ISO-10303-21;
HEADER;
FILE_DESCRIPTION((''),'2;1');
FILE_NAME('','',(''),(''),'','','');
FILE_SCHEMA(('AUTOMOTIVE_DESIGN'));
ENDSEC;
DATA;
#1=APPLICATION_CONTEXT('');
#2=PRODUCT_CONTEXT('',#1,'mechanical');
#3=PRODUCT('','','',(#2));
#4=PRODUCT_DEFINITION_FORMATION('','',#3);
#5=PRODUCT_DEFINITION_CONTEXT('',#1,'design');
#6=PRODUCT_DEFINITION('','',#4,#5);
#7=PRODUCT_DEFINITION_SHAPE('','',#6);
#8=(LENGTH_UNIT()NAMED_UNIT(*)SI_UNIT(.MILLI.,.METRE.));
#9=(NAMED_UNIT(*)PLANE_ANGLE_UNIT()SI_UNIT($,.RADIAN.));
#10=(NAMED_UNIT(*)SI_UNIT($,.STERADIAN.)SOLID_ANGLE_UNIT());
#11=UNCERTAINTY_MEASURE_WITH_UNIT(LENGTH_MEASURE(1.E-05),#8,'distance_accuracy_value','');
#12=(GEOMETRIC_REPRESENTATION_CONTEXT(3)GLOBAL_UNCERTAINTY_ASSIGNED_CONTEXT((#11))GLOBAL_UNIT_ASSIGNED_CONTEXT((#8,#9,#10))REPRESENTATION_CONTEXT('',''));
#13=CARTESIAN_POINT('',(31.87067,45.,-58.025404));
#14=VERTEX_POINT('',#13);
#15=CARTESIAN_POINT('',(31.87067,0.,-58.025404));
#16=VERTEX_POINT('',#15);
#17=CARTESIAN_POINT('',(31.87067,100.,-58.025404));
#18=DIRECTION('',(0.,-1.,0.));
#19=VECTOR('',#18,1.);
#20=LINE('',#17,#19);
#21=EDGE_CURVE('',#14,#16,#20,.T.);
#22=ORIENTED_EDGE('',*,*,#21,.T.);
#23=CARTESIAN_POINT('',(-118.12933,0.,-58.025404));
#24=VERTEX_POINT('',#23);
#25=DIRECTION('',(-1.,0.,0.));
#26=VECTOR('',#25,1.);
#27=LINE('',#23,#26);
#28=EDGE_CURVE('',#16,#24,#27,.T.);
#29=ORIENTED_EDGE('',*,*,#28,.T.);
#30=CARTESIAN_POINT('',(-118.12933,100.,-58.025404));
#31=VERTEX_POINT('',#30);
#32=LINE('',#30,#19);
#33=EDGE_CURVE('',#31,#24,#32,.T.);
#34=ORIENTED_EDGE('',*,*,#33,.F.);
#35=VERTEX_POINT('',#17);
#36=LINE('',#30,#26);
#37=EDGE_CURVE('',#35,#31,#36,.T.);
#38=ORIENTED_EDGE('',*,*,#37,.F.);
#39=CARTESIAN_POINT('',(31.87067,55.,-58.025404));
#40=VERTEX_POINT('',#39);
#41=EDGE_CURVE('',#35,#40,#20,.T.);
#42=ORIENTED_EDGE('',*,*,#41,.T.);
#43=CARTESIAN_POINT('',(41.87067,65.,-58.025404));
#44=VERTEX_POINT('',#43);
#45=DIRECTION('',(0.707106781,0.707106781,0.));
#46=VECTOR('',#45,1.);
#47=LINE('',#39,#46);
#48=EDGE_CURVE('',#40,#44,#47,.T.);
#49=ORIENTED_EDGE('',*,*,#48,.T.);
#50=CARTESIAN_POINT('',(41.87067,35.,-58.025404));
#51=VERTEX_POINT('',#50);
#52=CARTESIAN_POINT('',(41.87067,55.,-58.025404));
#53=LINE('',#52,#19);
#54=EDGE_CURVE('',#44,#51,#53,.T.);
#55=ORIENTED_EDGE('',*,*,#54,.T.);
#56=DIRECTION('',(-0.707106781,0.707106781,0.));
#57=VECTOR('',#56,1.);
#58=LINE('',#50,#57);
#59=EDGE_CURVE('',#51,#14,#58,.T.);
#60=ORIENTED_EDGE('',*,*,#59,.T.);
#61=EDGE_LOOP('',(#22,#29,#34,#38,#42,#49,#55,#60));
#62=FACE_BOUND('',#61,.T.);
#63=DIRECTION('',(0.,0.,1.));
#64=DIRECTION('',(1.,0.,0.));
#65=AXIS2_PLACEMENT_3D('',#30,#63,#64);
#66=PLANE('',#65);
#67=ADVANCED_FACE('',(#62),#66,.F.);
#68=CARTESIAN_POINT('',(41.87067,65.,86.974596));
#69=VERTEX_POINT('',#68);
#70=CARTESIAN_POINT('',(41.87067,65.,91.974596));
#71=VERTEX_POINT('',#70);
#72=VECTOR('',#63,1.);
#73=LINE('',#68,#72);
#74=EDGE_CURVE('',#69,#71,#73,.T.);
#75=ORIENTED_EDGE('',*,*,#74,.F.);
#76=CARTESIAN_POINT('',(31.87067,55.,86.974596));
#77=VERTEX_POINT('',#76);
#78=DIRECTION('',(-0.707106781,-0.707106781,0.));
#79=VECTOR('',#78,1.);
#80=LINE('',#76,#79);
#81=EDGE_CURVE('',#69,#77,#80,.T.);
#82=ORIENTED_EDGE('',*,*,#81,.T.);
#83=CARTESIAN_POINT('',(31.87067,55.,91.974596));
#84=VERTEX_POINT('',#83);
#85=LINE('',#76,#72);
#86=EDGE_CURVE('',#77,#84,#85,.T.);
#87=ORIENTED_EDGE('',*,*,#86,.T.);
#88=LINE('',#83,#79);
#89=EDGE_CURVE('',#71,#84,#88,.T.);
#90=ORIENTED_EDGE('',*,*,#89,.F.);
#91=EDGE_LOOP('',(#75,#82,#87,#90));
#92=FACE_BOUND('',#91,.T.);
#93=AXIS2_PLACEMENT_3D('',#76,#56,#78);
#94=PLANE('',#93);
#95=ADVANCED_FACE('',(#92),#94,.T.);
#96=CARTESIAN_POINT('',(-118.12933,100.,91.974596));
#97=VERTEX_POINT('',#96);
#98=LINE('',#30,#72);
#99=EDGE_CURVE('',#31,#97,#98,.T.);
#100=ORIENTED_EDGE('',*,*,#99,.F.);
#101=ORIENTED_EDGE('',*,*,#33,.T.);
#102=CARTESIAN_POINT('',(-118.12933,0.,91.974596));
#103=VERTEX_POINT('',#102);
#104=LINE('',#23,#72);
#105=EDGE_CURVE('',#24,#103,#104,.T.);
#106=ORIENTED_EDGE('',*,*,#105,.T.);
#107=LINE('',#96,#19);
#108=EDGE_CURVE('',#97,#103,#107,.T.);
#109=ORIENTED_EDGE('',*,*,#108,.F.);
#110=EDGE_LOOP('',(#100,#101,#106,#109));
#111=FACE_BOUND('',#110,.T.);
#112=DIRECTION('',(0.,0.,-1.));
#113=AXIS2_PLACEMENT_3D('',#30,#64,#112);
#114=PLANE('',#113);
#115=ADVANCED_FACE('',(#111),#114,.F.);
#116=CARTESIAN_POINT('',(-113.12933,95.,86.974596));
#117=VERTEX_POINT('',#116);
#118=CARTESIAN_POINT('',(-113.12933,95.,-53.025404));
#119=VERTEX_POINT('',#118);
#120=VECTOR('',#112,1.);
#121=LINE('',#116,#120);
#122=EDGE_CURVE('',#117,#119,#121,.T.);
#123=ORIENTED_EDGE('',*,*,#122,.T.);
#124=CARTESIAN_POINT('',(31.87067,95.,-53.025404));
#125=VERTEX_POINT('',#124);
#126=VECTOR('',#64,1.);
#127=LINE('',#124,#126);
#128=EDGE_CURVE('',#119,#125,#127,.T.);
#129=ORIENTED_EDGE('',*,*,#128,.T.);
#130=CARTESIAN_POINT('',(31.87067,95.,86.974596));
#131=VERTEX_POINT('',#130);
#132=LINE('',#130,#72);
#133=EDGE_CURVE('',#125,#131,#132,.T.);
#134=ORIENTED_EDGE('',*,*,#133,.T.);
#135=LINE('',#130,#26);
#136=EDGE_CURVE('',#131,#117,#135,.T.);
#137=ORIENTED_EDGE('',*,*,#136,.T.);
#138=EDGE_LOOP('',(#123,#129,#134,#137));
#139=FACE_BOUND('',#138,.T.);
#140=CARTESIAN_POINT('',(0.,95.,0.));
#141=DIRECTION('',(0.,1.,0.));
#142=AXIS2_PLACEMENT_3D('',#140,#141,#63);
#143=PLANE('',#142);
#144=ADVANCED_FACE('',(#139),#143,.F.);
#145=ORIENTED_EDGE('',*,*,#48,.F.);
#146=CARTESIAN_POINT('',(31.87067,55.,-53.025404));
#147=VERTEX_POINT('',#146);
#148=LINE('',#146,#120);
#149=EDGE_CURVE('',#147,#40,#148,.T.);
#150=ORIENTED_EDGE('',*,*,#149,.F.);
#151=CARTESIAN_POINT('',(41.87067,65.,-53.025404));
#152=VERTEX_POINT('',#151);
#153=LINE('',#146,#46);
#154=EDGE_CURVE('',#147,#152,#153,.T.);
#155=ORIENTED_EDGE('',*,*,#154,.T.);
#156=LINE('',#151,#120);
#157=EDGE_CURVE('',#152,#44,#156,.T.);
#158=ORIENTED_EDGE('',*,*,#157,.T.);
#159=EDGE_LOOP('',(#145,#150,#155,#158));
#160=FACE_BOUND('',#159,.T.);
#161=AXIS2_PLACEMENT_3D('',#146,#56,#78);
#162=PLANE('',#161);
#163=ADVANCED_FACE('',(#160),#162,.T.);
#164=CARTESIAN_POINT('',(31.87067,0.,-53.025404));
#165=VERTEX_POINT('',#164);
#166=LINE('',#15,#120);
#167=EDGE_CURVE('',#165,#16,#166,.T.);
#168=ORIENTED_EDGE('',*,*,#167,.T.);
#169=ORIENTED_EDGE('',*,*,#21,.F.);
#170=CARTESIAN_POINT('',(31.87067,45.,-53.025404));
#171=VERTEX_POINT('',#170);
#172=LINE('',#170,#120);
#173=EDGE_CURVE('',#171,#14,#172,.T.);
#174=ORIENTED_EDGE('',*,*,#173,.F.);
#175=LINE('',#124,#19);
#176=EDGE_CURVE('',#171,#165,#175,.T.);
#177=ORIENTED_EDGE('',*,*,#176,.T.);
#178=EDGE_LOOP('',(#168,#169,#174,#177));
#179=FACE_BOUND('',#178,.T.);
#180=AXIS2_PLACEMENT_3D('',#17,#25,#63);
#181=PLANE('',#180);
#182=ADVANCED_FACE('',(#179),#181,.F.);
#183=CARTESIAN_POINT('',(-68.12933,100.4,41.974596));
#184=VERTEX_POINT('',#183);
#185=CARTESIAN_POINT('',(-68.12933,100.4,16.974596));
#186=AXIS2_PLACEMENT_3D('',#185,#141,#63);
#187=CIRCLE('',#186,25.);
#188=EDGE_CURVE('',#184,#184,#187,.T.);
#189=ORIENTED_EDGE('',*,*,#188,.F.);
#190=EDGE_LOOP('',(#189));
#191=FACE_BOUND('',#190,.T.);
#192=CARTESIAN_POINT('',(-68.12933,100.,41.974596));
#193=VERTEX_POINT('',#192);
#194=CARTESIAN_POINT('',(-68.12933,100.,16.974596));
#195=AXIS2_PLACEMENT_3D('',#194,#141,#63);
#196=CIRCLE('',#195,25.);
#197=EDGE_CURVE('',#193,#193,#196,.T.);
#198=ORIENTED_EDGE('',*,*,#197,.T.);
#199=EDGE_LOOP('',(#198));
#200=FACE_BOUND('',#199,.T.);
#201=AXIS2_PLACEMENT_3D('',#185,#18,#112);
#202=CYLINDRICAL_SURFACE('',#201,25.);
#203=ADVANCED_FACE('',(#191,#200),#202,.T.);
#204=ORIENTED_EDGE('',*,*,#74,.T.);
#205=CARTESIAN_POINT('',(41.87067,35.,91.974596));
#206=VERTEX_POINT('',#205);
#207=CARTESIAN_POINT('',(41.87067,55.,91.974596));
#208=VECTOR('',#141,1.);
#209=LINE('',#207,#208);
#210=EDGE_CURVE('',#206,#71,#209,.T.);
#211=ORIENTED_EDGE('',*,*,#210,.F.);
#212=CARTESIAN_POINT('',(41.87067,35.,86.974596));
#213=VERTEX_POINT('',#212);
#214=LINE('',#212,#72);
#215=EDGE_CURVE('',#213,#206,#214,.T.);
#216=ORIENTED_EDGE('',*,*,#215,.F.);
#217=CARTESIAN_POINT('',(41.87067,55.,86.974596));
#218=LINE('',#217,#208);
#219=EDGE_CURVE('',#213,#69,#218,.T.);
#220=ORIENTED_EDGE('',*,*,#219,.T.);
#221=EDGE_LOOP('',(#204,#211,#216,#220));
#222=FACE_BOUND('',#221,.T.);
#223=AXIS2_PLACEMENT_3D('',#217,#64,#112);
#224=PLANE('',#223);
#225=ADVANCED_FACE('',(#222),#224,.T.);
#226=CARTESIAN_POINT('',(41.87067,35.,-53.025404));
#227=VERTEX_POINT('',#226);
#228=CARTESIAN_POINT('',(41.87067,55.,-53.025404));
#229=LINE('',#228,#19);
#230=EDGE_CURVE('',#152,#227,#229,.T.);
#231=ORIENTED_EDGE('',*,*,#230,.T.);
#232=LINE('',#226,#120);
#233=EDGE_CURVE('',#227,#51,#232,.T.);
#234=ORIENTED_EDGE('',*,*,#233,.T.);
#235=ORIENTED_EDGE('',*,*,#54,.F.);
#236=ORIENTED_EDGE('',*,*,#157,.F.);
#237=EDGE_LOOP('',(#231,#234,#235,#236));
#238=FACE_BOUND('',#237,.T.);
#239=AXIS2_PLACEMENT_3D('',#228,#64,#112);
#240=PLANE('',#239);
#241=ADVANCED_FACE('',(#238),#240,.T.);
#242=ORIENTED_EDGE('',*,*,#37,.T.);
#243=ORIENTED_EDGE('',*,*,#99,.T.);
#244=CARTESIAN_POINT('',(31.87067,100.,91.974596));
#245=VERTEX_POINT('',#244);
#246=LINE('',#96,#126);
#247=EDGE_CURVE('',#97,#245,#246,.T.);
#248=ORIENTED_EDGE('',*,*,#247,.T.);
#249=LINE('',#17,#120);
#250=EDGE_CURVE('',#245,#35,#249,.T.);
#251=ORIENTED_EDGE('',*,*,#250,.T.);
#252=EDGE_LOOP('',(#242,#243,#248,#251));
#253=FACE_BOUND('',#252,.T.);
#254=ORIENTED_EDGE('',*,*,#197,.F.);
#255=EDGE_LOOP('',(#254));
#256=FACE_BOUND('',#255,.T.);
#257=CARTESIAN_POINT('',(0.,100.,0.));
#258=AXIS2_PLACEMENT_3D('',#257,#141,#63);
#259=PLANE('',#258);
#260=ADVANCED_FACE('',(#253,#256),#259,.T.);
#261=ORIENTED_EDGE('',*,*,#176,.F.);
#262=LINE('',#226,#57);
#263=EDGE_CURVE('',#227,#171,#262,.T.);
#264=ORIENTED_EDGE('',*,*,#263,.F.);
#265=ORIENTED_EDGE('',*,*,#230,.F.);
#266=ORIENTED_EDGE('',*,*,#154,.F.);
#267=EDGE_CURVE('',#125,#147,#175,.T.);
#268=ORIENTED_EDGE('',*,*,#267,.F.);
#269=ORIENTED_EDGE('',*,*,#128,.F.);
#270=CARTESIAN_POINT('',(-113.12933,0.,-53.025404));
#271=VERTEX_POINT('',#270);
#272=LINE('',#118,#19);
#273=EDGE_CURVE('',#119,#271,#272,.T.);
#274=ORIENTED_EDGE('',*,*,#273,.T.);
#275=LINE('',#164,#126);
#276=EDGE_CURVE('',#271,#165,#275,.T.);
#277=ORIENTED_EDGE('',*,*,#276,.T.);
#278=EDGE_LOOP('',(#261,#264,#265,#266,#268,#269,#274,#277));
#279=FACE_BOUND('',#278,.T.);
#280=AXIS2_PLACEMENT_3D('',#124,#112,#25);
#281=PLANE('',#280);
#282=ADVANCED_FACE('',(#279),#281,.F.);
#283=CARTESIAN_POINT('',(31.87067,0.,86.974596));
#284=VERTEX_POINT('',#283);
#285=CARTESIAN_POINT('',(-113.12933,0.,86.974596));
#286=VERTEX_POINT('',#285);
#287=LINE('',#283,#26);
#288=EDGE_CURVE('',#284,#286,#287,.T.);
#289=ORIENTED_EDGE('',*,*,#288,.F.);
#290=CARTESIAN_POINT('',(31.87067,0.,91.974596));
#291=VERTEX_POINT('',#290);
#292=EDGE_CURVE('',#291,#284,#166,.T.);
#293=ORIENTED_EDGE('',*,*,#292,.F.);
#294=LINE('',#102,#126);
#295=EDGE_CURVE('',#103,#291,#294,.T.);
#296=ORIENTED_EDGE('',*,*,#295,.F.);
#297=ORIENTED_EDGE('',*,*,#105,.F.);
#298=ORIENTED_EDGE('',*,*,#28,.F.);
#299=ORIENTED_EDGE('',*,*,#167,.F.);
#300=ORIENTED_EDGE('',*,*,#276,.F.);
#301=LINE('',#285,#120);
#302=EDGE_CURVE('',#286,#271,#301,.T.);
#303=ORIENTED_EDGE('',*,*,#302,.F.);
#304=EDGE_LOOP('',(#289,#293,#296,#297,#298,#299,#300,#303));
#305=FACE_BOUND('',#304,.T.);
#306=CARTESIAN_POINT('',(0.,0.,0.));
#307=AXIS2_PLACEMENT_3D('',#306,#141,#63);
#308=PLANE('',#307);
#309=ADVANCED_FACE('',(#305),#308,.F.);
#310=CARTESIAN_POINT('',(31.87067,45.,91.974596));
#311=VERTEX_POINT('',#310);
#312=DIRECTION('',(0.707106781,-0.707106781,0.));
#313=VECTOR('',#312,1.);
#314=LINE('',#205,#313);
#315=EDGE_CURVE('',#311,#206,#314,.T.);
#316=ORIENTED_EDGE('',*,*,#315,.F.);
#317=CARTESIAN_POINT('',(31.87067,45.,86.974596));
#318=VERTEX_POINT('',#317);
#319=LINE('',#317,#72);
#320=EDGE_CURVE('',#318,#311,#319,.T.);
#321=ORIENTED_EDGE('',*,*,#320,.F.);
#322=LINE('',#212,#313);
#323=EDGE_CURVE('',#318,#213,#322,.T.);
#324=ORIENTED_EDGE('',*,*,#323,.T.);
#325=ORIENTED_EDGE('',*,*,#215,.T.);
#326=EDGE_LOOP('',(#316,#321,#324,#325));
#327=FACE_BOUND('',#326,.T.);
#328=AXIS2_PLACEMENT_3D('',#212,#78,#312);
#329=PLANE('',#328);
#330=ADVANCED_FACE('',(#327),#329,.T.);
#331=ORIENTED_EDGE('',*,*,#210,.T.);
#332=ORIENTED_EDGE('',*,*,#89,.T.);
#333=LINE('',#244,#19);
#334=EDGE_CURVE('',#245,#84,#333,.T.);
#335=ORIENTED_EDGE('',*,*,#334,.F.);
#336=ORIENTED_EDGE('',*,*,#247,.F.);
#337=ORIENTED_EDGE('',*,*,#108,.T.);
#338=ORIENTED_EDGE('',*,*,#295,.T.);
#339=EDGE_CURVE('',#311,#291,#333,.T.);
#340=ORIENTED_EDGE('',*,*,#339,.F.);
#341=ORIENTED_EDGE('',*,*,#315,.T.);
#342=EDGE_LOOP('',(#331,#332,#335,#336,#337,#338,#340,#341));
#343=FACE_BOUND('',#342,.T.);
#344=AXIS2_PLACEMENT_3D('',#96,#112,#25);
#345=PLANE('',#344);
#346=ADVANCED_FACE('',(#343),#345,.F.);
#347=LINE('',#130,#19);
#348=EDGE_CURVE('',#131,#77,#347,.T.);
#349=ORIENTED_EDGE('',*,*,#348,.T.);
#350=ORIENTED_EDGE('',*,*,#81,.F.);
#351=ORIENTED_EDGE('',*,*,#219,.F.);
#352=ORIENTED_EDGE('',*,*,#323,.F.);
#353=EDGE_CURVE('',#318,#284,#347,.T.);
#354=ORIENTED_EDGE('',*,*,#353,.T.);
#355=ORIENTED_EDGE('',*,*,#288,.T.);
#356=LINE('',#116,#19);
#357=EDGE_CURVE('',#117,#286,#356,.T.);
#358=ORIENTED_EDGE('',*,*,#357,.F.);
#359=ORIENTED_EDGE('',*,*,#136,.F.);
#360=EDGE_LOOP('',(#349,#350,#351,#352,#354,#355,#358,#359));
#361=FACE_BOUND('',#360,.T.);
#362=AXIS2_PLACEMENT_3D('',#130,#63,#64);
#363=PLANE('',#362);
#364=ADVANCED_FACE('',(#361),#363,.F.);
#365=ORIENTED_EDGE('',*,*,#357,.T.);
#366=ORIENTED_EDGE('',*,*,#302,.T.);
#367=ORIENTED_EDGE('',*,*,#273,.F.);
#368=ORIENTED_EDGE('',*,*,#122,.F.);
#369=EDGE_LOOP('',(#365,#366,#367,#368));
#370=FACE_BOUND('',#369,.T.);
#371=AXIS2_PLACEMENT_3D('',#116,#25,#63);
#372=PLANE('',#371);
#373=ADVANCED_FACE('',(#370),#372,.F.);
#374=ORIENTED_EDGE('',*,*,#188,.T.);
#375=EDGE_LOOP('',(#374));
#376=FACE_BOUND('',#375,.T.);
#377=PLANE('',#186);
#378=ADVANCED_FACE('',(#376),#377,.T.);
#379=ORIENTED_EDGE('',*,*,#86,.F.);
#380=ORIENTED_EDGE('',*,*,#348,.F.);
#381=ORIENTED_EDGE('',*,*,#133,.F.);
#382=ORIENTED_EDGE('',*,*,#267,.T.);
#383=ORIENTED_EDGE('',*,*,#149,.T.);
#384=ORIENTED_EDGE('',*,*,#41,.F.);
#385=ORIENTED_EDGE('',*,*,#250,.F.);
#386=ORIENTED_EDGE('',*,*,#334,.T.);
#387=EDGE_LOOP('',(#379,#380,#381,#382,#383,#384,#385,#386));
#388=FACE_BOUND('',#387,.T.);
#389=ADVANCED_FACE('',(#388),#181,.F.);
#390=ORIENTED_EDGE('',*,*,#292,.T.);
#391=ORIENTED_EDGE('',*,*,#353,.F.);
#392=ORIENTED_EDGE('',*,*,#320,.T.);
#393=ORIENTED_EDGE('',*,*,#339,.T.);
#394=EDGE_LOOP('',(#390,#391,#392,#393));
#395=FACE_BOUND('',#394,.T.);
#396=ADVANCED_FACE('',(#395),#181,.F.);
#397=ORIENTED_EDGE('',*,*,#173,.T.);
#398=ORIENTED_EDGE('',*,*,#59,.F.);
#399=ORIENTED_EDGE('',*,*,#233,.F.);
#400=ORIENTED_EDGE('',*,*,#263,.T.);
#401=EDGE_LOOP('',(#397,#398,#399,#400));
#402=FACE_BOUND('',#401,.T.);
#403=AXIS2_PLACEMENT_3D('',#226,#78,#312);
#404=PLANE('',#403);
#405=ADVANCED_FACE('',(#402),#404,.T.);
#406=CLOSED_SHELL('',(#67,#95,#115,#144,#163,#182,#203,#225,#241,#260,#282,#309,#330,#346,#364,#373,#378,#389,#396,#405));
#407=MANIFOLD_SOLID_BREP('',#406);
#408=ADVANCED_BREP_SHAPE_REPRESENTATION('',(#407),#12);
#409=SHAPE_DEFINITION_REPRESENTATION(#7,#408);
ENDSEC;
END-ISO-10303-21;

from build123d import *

# Parameters (mm, degrees)
SKETCH_1_W          = 150
SKETCH_1_H          = 150
EXTRUDE_1_DEPTH     = 100
SKETCH_4_R          = 25
EXTRUDE_2_DEPTH     = 0.4
SKETCH_5_W          = 145
SKETCH_5_H          = 140
CUT_EXTRUDE_1_DEPTH = 95
SKETCH_7_W          = 10
SKETCH_7_H          = 10
EXTRUDE_3_DEPTH     = 5
EXTRUDE_4_DEPTH     = 5
SKETCH_10_W         = 10
SKETCH_10_H         = 10
EXTRUDE_5_DEPTH     = 5
EXTRUDE_6_DEPTH     = 5


with BuildPart() as part:
    # 草图1 → 凸台-拉伸1 (new body)
    with BuildSketch(Plane(origin=(0, 0, 0), x_dir=(1, 0, 0), z_dir=(0, 1, 0))):
        with Locations((-43.129330254, -16.974595843)):
            Rectangle(SKETCH_1_W, SKETCH_1_H)
    extrude(amount=EXTRUDE_1_DEPTH)

    # 草图4 → 凸台-拉伸2 (add)
    with BuildSketch(Plane(origin=(0, 100, 0), x_dir=(1, 0, 0), z_dir=(0, 1, 0))):
        with Locations(Location((-68.129330254, -16.974595843, 0), (0, 0, 270))):
            Circle(SKETCH_4_R)
    extrude(amount=EXTRUDE_2_DEPTH)

    # 草图5 → 切除-拉伸1 (cut)
    with BuildSketch(Plane.XZ):
        with Locations((-40.629330254, 16.974595843)):
            Rectangle(SKETCH_5_W, SKETCH_5_H)
    extrude(amount=-CUT_EXTRUDE_1_DEPTH, mode=Mode.SUBTRACT)

    # 草图7 → 凸台-拉伸3 (add)
    with BuildSketch(Plane.XY.offset(91.974595843)):
        with Locations((36.870669746, 50)):
            Rectangle(SKETCH_7_W, SKETCH_7_H)
    extrude(amount=-EXTRUDE_3_DEPTH)

    # 草图9 → 凸台-拉伸4 (add)
    with BuildSketch(Plane.XY.offset(91.974595843)):
        Polygon((31.870669746, 55), (41.870669746, 65), (41.870669746, 55), align=None)
        Polygon((31.870669746, 45), (41.870669746, 45), (41.870669746, 35), align=None)
    extrude(amount=-EXTRUDE_4_DEPTH)

    # 草图10 → 凸台-拉伸5 (add)
    with BuildSketch(Plane(origin=(0, 0, -58.025404157), x_dir=(-1, 0, 0), z_dir=(0, 0, -1))):
        with Locations((-36.870669746, 50)):
            Rectangle(SKETCH_10_W, SKETCH_10_H)
    extrude(amount=-EXTRUDE_5_DEPTH)

    # 草图11 → 凸台-拉伸6 (add)
    with BuildSketch(Plane(origin=(0, 0, -58.025404157), x_dir=(-1, 0, 0), z_dir=(0, 0, -1))):
        Polygon((-31.870669746, 55), (-41.870669746, 65), (-41.870669746, 55), align=None)
        Polygon((-31.870669746, 45), (-41.870669746, 45), (-41.870669746, 35), align=None)
    extrude(amount=-EXTRUDE_6_DEPTH)


solid = part.part
